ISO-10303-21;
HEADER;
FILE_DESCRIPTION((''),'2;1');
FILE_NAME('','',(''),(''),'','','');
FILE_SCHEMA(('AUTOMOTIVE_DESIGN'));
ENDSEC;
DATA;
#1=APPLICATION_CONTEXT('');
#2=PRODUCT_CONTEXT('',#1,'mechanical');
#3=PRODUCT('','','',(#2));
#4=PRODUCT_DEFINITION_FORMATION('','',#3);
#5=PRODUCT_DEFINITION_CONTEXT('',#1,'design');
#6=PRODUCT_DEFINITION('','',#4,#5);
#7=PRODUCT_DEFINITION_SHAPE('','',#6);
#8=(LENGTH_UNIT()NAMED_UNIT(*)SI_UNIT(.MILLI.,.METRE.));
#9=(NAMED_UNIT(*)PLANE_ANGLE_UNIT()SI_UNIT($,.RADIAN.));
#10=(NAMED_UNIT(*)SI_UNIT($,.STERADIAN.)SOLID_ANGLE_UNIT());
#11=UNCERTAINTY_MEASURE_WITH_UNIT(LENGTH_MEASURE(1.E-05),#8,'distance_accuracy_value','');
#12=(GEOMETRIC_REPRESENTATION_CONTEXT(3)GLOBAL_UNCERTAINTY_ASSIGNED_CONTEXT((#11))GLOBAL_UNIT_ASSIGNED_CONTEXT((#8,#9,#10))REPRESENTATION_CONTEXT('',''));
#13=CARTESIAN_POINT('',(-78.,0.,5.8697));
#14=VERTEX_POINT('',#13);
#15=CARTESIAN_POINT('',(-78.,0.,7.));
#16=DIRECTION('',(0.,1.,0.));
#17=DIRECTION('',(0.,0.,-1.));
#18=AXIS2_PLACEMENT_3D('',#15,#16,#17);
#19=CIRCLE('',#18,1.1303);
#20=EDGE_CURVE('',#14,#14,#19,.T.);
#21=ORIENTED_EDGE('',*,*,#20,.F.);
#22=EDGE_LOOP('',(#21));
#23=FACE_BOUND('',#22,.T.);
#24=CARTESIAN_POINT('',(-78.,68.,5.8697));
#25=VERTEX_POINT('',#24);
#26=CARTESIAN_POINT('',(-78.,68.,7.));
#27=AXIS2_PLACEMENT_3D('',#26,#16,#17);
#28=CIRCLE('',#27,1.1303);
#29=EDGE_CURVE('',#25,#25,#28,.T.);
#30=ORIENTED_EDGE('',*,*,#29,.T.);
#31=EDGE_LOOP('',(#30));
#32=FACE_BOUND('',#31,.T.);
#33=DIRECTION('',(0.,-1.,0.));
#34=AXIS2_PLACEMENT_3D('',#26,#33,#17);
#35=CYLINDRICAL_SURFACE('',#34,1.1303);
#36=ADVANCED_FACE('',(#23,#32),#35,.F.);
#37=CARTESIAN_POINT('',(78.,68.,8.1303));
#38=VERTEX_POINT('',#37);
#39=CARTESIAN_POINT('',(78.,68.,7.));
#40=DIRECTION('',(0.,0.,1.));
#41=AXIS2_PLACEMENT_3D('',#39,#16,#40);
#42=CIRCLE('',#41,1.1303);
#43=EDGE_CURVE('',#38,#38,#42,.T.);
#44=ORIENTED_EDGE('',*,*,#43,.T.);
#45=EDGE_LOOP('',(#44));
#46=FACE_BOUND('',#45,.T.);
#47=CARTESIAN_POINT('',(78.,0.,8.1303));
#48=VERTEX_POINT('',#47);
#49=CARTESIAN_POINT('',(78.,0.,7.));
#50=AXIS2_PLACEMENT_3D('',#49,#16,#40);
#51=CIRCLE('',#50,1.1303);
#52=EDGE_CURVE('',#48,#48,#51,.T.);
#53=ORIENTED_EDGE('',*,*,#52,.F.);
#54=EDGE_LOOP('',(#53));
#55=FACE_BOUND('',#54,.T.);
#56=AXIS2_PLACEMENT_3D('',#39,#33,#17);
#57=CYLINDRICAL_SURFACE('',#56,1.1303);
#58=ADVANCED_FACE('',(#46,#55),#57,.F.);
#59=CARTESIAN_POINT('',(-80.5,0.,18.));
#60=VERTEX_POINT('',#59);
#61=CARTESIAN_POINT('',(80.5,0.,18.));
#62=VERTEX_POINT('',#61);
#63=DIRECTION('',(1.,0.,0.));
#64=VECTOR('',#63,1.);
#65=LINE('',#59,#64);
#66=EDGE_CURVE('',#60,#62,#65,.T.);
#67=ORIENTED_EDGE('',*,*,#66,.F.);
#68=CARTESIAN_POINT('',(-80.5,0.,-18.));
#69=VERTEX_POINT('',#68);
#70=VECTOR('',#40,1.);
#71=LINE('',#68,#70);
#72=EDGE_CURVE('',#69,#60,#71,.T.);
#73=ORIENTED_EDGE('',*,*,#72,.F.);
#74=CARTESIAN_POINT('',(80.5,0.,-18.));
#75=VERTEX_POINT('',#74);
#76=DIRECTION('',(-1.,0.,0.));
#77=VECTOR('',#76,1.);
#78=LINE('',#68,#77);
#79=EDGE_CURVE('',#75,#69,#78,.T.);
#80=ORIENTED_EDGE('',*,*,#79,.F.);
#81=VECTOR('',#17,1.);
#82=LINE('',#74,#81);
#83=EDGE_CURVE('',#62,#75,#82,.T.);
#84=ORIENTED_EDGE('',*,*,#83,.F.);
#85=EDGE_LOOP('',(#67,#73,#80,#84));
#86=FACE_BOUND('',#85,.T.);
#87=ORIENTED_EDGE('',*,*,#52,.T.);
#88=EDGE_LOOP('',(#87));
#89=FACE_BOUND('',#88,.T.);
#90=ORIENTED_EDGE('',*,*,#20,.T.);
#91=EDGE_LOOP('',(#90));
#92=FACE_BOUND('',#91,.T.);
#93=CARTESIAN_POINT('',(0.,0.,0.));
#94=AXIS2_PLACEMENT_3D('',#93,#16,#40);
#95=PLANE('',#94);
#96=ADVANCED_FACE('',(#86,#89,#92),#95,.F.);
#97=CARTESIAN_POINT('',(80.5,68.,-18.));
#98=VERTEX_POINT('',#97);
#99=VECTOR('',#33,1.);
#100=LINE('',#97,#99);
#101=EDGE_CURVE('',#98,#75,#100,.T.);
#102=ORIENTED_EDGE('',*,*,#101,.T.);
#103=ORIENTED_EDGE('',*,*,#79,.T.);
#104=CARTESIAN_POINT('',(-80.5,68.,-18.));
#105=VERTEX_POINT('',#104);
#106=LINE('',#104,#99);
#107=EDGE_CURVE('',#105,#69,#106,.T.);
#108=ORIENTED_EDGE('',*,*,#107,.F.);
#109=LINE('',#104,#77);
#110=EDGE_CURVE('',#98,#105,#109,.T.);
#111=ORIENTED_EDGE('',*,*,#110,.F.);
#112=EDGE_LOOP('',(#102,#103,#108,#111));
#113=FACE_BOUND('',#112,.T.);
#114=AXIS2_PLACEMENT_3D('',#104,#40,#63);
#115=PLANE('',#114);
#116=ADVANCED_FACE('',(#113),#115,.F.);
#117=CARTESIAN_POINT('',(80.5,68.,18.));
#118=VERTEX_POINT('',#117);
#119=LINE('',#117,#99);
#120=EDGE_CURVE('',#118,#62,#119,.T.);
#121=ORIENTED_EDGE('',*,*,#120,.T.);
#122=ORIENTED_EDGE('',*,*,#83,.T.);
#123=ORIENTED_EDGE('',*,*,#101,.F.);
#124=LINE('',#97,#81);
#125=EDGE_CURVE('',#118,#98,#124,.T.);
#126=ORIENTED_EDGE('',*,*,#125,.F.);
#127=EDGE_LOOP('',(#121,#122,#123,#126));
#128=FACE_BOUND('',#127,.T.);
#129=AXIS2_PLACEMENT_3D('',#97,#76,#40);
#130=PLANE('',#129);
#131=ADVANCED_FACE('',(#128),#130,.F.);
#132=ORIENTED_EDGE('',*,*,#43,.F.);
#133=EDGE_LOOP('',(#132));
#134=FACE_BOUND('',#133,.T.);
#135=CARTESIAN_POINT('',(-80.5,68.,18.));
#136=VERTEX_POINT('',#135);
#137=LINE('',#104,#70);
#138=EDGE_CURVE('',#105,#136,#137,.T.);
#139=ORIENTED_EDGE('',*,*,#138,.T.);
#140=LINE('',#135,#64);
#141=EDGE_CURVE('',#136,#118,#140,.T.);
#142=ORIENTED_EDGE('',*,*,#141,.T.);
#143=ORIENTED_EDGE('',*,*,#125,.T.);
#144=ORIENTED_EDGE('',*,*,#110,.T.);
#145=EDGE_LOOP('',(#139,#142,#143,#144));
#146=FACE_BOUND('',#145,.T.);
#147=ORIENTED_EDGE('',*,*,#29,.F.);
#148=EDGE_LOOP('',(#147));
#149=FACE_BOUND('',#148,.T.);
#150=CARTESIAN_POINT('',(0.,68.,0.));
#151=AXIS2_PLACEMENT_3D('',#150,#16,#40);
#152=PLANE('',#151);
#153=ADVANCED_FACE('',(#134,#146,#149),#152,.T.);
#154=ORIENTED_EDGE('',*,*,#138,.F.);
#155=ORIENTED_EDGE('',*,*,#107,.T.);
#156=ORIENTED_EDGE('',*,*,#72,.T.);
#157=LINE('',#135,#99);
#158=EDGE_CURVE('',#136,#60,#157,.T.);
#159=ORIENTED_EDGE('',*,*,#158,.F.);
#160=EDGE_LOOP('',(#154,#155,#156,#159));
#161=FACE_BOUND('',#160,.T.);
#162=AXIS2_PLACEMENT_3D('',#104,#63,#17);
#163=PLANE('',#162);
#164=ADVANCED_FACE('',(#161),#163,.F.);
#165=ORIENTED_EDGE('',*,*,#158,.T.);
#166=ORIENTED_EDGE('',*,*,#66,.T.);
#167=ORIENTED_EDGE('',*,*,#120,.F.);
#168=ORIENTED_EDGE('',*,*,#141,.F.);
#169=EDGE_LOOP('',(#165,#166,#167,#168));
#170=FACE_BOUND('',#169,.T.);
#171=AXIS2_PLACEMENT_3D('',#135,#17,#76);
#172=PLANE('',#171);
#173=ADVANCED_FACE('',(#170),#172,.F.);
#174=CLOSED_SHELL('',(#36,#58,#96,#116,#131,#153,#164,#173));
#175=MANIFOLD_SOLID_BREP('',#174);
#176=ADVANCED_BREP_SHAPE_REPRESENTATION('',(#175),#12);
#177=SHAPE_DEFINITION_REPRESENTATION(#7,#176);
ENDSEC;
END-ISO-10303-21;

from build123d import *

# Parameters (mm, degrees)
SKETCH1_W           = 161
SKETCH1_H           = 36
SKETCH1_R           = 1.1303
BOSS_EXTRUDE1_DEPTH = 68


with BuildPart() as part:
    # Sketch1 → Boss-Extrude1 (new body)
    with BuildSketch(Plane(origin=(0, 0, 0), x_dir=(1, 0, 0), z_dir=(0, 1, 0))):
        Rectangle(SKETCH1_W, SKETCH1_H)
        with Locations(Location((78, -7, 0), (0, 0, 270))):
            Circle(SKETCH1_R, mode=Mode.SUBTRACT)
        with Locations(Location((-78, -7, 0), (0, 0, 90))):
            Circle(SKETCH1_R, mode=Mode.SUBTRACT)
    extrude(amount=BOSS_EXTRUDE1_DEPTH)


solid = part.part
